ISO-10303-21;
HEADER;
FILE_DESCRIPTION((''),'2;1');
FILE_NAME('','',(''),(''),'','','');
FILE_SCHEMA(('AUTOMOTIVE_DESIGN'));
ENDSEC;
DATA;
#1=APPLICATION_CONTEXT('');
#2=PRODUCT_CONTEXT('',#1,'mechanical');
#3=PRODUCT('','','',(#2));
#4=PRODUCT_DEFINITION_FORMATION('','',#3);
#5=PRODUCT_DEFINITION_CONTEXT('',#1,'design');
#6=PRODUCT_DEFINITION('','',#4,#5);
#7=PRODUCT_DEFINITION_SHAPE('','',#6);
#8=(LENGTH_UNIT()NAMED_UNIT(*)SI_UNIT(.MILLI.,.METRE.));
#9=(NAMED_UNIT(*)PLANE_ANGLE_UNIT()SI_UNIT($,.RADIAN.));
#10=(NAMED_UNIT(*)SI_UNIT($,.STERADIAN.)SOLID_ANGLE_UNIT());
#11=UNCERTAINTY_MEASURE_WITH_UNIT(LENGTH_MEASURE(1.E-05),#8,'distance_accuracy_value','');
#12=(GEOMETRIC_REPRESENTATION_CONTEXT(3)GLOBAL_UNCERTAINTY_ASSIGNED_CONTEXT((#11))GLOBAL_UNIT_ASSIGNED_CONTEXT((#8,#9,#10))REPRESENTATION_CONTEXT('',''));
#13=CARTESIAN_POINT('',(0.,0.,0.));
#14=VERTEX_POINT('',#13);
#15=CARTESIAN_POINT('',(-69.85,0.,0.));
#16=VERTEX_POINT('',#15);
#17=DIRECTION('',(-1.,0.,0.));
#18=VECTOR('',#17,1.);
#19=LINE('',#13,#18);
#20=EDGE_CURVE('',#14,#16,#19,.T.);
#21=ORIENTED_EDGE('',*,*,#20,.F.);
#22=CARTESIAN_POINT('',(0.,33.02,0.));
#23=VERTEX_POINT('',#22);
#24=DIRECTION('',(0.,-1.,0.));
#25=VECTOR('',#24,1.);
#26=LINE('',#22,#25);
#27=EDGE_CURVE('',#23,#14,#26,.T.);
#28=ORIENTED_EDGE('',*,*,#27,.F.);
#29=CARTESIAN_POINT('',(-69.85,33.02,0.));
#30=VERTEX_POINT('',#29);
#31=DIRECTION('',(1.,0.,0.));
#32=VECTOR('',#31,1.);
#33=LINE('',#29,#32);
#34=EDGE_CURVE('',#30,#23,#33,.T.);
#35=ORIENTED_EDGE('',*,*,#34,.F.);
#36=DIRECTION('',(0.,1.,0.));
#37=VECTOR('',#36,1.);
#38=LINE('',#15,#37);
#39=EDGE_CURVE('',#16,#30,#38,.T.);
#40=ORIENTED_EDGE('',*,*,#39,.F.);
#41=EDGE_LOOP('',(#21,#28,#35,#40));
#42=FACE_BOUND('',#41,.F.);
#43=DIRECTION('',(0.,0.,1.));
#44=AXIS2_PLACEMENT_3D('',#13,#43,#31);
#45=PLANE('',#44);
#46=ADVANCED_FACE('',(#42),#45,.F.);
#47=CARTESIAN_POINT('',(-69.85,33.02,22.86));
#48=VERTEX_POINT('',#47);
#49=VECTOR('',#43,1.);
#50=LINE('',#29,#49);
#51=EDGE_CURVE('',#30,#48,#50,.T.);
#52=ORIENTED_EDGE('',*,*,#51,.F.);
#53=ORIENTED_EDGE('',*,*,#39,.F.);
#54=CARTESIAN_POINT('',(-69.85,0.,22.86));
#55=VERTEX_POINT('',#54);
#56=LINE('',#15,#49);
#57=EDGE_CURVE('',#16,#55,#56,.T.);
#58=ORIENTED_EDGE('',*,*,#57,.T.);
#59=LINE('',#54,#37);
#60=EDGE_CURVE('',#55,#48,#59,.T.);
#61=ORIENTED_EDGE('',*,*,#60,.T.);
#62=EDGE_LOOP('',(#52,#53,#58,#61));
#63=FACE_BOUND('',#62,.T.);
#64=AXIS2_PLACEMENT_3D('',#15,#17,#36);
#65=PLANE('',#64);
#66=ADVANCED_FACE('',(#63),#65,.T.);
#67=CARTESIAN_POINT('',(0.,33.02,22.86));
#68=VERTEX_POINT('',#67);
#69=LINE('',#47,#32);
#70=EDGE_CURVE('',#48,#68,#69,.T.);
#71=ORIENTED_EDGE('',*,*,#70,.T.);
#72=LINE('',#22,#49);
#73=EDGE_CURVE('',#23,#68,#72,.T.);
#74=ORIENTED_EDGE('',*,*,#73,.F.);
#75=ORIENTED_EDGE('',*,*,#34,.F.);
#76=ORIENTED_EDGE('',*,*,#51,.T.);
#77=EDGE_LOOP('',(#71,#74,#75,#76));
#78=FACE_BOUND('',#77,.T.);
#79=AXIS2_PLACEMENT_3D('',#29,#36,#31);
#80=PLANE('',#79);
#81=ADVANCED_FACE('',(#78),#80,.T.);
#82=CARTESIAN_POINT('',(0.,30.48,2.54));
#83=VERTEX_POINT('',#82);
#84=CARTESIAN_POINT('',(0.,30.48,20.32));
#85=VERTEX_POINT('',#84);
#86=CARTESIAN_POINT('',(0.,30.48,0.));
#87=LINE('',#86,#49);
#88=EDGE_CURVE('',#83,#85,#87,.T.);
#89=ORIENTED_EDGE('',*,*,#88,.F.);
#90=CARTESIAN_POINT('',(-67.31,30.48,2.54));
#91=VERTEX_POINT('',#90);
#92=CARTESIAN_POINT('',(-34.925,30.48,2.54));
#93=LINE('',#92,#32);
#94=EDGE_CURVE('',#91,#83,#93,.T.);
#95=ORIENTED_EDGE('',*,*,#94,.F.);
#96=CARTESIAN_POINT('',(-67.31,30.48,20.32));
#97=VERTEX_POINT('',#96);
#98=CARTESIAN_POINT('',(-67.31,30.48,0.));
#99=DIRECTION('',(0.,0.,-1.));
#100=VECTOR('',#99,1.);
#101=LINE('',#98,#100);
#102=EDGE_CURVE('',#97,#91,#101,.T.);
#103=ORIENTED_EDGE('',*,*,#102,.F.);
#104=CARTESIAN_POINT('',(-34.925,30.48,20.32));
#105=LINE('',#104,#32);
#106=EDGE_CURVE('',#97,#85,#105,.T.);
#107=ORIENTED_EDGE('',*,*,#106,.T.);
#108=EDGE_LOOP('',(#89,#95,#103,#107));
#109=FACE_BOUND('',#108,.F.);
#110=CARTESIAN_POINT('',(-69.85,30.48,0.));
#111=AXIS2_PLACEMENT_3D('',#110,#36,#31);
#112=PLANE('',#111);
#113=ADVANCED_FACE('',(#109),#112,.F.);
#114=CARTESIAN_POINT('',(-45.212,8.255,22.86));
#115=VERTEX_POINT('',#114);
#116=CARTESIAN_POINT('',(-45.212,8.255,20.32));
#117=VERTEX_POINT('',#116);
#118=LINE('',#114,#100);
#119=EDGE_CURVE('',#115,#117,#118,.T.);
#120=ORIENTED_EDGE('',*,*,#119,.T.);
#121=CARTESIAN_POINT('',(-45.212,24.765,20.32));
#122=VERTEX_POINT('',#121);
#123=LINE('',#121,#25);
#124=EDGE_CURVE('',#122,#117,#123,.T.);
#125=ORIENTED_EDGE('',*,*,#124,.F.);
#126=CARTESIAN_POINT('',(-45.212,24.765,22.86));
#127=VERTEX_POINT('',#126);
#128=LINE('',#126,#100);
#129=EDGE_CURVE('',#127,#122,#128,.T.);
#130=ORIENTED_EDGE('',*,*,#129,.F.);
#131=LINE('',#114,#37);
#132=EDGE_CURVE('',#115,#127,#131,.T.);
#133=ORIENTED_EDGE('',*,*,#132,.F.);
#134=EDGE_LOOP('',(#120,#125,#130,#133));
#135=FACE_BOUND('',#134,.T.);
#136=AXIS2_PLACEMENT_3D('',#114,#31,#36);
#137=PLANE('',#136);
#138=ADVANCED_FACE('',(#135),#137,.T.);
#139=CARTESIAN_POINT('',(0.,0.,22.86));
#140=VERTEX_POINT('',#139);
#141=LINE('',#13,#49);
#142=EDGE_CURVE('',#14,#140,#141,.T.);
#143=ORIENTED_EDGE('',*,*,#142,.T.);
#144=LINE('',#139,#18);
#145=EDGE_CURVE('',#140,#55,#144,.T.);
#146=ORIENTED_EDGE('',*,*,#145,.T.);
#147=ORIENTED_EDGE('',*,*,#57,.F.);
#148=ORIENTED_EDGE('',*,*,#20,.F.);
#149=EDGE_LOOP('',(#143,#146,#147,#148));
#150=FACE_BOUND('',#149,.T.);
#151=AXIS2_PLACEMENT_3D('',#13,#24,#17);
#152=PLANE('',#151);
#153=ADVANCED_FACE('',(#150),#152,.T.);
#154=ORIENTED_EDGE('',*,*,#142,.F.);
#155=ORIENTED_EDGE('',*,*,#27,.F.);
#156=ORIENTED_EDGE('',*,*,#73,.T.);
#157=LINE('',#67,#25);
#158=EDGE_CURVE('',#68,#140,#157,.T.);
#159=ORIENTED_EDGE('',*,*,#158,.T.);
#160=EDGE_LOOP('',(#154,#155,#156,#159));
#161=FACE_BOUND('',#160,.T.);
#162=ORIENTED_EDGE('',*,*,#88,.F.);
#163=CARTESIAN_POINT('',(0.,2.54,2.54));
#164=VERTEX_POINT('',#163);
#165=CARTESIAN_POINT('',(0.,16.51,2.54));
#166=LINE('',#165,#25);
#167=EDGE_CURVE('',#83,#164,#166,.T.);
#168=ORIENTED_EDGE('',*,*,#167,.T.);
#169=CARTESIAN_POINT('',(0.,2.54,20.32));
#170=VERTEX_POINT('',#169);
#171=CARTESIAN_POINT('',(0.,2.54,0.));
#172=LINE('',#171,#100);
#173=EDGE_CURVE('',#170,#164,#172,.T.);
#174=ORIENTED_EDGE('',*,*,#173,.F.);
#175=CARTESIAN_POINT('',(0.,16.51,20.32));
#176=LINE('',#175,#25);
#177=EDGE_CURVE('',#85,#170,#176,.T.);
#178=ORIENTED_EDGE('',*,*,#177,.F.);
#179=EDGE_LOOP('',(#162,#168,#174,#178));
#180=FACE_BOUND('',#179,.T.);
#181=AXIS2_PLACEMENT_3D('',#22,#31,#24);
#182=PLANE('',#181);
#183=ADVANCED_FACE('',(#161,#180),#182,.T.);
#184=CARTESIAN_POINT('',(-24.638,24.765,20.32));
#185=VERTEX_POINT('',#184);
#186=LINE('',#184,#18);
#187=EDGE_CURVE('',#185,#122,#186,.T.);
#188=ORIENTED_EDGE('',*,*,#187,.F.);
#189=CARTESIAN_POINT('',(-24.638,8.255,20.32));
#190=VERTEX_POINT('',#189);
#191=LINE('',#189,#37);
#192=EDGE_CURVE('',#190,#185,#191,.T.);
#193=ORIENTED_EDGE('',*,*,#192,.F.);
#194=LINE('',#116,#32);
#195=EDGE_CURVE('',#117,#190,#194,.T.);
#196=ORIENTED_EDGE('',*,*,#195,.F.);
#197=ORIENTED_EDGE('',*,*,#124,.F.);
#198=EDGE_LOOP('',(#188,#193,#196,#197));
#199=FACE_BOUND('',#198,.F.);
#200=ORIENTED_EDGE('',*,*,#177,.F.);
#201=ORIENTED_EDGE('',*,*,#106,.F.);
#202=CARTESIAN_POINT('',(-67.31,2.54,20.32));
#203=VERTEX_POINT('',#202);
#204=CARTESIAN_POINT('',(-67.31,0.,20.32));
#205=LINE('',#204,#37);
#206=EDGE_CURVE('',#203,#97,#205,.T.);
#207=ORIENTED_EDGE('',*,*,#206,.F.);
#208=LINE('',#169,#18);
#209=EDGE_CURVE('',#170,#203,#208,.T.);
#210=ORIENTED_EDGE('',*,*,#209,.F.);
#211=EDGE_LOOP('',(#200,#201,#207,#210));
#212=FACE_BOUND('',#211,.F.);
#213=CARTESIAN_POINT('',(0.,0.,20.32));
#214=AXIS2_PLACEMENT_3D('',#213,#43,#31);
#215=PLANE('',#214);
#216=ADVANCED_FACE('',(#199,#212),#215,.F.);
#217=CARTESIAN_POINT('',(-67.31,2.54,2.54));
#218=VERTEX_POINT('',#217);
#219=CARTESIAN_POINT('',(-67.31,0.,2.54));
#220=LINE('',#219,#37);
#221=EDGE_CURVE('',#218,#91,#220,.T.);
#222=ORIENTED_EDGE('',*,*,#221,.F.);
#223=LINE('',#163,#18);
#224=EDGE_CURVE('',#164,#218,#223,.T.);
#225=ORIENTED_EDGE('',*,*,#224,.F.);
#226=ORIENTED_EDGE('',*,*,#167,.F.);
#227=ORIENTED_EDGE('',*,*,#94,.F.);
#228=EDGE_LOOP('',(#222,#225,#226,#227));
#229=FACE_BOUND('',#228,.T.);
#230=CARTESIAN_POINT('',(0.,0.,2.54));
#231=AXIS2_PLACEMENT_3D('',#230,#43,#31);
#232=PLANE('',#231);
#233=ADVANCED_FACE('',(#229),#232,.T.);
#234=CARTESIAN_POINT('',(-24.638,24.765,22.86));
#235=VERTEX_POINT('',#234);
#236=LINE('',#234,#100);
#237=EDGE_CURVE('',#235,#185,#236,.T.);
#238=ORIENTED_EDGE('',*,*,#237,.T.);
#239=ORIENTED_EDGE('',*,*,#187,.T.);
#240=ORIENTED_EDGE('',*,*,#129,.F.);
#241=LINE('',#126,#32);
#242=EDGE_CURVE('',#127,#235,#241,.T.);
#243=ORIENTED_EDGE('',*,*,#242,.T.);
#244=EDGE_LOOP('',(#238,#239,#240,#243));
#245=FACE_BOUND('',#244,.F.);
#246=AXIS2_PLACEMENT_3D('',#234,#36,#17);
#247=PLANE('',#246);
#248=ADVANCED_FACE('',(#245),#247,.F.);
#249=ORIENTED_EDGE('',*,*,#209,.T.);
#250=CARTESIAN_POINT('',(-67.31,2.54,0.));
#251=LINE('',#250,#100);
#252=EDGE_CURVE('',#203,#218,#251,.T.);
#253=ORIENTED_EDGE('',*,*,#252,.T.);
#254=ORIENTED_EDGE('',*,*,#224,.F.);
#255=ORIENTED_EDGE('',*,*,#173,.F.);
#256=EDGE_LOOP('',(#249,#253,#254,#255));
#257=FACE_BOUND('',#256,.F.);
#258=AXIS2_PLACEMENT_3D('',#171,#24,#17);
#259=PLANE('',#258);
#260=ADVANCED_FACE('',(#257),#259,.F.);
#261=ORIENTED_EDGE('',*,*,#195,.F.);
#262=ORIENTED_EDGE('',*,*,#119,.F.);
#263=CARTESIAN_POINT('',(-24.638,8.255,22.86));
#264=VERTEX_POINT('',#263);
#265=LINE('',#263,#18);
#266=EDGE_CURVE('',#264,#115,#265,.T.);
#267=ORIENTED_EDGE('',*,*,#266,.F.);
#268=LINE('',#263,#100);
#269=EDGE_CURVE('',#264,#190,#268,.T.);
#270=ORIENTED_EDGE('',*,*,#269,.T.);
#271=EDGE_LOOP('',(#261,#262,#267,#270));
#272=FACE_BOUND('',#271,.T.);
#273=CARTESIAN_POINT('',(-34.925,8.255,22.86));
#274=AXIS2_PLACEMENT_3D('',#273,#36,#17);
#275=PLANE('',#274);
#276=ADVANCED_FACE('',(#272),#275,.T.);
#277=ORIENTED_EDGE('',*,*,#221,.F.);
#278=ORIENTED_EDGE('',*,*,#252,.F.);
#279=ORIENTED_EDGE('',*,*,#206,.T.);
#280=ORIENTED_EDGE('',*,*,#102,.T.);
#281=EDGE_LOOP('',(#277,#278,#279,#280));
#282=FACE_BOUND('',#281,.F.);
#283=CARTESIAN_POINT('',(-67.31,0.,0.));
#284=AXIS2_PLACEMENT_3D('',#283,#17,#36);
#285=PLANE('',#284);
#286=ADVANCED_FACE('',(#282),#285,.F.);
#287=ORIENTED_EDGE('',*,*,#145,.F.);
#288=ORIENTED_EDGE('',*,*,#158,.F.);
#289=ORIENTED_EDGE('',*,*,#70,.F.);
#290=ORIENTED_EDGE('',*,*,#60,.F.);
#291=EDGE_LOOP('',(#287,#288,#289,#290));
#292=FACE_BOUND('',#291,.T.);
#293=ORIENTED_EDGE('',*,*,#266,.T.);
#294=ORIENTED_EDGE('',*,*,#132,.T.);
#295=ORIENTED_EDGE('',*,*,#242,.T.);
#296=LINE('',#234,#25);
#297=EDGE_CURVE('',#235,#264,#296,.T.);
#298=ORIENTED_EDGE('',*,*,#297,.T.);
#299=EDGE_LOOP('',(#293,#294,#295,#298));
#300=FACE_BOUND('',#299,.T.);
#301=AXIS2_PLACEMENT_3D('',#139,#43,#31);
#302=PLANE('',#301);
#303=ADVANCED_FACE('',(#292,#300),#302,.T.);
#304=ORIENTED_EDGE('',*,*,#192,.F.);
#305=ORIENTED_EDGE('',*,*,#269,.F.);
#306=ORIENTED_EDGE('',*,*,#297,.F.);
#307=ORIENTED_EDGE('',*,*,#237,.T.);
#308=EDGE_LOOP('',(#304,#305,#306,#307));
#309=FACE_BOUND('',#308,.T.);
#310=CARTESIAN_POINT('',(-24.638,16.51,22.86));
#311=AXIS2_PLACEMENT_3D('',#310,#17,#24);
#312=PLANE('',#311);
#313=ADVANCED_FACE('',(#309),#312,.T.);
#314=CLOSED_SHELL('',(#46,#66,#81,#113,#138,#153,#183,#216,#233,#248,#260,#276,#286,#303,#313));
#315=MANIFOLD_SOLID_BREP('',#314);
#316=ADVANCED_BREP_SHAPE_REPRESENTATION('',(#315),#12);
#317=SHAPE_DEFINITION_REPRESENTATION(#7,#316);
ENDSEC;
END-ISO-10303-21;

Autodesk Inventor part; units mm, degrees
ref_plane "YZ Plane" through (0, 0, 0) normal (1, 0, 0) x (0, 1, 0)
ref_plane "XZ Plane" through (0, 0, 0) normal (0, 1, 0) x (-1, 0, 0)
ref_plane "XY Plane" through (0, 0, 0) normal (0, 0, 1) x (1, 0, 0)
sketch "Sketch1" plane through (0, 0, 0) normal (0, 0, 1) x (1, 0, 0)
  line L0 (0, 0) -> (-69.85, 0)
  line L1 (-69.85, 0) -> (-69.85, 33.02)
  line L2 (-69.85, 33.02) -> (0, 33.02)
  line L3 (0, 33.02) -> (0, 0)
  dimension "d0" = 69.85
  dimension "d1" = 33.02
extrude "Extrusion1" add sketch "Sketch1" along normal blind 22.86
shell "Shell1" thickness 2.54 removed faces 1 at (0, 22.0133, 15.24)
sketch "Sketch2" plane through (0, 0, 22.86) normal (0, 0, 1) x (1, 0, 0)
  line L0 (0, 33.02) -> (-69.85, 33.02) projected
  line L1 (-69.85, 0) -> (0, 0) projected
  line L2 (-69.85, 33.02) -> (-69.85, 0) projected
  line L3 (0, 0) -> (0, 33.02) projected
  line L4 (-45.212, 16.51) -> (-45.212, 24.765)
  line L5 (-45.212, 24.765) -> (-34.925, 24.765)
  line L6 (-34.925, 8.255) -> (-45.212, 8.255)
  line L7 (-45.212, 8.255) -> (-45.212, 16.51)
  line L8 (-24.638, 16.51) -> (-24.638, 8.255)
  line L9 (-24.638, 8.255) -> (-34.925, 8.255)
  line L10 (-24.638, 16.51) -> (-24.638, 24.765)
  line L11 (-24.638, 24.765) -> (-34.925, 24.765)
extrude "Extrusion2" cut sketch "Sketch2" against normal blind 2.54 contours L4 L5 L11 L10 L8 L9 L6 L7
properties part number "Scanner Case v3"
